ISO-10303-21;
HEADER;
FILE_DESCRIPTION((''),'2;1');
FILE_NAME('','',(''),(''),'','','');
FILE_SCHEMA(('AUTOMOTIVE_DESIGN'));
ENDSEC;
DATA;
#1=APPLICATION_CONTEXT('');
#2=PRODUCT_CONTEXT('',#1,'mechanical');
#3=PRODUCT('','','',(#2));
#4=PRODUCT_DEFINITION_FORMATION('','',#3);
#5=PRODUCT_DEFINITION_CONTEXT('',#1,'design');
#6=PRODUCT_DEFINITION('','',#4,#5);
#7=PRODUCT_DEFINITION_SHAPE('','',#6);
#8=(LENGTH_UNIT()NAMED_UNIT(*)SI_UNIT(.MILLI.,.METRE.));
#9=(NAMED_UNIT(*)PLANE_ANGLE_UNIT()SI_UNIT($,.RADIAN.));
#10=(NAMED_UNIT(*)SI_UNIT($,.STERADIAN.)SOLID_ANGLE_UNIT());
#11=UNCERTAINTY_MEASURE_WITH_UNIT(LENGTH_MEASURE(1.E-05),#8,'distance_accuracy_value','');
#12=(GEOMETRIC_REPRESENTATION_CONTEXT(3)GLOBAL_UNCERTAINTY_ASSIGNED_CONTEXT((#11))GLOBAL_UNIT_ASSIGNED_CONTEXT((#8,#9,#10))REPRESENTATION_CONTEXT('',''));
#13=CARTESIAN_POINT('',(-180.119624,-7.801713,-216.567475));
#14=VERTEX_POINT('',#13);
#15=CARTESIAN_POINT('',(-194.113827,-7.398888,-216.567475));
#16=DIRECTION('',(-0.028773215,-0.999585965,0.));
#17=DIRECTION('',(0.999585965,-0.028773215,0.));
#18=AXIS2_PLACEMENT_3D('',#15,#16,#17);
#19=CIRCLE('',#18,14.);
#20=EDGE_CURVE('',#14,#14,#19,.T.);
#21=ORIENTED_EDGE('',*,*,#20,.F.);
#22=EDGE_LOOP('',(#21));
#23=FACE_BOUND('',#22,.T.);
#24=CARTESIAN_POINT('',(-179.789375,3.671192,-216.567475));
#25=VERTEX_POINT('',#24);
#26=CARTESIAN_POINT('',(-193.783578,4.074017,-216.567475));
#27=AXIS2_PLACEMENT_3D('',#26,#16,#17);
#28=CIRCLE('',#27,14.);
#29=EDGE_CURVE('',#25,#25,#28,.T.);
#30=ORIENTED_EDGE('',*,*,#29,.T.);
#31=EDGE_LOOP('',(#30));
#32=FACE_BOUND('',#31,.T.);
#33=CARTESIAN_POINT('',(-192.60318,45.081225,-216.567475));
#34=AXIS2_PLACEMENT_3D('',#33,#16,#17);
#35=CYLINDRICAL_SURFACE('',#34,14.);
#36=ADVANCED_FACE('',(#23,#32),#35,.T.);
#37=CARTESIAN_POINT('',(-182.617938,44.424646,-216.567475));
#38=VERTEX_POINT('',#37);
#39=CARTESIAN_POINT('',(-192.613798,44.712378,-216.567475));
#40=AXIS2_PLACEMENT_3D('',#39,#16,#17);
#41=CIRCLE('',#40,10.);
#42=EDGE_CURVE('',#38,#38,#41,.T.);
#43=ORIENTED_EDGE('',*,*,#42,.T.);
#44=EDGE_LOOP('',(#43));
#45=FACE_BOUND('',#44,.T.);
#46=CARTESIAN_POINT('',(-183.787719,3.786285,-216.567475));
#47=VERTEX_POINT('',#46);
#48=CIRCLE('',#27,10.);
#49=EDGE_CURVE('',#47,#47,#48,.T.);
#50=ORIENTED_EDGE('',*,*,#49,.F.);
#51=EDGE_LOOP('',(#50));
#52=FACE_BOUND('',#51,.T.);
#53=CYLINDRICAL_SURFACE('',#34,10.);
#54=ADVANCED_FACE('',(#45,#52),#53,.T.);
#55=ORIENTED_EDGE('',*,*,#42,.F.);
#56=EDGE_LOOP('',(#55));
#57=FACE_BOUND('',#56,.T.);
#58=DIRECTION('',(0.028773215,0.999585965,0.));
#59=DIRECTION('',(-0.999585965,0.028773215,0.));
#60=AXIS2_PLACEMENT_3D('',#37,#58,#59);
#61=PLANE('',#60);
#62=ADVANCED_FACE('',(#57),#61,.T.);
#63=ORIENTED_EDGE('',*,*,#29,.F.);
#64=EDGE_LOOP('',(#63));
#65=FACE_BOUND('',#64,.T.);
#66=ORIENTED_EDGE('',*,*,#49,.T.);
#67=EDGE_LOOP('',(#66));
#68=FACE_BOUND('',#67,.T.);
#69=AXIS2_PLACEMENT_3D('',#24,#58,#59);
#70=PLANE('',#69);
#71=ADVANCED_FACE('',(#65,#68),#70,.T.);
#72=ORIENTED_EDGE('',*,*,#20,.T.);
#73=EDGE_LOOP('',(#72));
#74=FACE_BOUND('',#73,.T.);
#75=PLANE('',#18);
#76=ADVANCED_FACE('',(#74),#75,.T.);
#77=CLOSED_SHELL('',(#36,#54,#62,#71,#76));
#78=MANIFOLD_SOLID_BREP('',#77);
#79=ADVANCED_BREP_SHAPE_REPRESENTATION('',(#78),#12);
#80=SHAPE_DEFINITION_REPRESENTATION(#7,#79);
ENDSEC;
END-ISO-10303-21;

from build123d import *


with BuildPart() as part:
    # Esquisse1 → Révolution1 (revolve)
    with BuildSketch(Plane.XY.offset(-216.567475333)):
        Polygon((-182.617937948, 44.424645621), (-192.613797601, 44.71237777), (-194.113827305, -7.398887585), (-180.11962379, -7.801712594), (-179.789374694, 3.671192396), (-183.787718556, 3.786285256), align=None)
    revolve(axis=Axis((-192.603180288, 45.081224869, -216.567475333), (-0.028773214958103643, -0.9995859653381368, 0)))


solid = part.part
